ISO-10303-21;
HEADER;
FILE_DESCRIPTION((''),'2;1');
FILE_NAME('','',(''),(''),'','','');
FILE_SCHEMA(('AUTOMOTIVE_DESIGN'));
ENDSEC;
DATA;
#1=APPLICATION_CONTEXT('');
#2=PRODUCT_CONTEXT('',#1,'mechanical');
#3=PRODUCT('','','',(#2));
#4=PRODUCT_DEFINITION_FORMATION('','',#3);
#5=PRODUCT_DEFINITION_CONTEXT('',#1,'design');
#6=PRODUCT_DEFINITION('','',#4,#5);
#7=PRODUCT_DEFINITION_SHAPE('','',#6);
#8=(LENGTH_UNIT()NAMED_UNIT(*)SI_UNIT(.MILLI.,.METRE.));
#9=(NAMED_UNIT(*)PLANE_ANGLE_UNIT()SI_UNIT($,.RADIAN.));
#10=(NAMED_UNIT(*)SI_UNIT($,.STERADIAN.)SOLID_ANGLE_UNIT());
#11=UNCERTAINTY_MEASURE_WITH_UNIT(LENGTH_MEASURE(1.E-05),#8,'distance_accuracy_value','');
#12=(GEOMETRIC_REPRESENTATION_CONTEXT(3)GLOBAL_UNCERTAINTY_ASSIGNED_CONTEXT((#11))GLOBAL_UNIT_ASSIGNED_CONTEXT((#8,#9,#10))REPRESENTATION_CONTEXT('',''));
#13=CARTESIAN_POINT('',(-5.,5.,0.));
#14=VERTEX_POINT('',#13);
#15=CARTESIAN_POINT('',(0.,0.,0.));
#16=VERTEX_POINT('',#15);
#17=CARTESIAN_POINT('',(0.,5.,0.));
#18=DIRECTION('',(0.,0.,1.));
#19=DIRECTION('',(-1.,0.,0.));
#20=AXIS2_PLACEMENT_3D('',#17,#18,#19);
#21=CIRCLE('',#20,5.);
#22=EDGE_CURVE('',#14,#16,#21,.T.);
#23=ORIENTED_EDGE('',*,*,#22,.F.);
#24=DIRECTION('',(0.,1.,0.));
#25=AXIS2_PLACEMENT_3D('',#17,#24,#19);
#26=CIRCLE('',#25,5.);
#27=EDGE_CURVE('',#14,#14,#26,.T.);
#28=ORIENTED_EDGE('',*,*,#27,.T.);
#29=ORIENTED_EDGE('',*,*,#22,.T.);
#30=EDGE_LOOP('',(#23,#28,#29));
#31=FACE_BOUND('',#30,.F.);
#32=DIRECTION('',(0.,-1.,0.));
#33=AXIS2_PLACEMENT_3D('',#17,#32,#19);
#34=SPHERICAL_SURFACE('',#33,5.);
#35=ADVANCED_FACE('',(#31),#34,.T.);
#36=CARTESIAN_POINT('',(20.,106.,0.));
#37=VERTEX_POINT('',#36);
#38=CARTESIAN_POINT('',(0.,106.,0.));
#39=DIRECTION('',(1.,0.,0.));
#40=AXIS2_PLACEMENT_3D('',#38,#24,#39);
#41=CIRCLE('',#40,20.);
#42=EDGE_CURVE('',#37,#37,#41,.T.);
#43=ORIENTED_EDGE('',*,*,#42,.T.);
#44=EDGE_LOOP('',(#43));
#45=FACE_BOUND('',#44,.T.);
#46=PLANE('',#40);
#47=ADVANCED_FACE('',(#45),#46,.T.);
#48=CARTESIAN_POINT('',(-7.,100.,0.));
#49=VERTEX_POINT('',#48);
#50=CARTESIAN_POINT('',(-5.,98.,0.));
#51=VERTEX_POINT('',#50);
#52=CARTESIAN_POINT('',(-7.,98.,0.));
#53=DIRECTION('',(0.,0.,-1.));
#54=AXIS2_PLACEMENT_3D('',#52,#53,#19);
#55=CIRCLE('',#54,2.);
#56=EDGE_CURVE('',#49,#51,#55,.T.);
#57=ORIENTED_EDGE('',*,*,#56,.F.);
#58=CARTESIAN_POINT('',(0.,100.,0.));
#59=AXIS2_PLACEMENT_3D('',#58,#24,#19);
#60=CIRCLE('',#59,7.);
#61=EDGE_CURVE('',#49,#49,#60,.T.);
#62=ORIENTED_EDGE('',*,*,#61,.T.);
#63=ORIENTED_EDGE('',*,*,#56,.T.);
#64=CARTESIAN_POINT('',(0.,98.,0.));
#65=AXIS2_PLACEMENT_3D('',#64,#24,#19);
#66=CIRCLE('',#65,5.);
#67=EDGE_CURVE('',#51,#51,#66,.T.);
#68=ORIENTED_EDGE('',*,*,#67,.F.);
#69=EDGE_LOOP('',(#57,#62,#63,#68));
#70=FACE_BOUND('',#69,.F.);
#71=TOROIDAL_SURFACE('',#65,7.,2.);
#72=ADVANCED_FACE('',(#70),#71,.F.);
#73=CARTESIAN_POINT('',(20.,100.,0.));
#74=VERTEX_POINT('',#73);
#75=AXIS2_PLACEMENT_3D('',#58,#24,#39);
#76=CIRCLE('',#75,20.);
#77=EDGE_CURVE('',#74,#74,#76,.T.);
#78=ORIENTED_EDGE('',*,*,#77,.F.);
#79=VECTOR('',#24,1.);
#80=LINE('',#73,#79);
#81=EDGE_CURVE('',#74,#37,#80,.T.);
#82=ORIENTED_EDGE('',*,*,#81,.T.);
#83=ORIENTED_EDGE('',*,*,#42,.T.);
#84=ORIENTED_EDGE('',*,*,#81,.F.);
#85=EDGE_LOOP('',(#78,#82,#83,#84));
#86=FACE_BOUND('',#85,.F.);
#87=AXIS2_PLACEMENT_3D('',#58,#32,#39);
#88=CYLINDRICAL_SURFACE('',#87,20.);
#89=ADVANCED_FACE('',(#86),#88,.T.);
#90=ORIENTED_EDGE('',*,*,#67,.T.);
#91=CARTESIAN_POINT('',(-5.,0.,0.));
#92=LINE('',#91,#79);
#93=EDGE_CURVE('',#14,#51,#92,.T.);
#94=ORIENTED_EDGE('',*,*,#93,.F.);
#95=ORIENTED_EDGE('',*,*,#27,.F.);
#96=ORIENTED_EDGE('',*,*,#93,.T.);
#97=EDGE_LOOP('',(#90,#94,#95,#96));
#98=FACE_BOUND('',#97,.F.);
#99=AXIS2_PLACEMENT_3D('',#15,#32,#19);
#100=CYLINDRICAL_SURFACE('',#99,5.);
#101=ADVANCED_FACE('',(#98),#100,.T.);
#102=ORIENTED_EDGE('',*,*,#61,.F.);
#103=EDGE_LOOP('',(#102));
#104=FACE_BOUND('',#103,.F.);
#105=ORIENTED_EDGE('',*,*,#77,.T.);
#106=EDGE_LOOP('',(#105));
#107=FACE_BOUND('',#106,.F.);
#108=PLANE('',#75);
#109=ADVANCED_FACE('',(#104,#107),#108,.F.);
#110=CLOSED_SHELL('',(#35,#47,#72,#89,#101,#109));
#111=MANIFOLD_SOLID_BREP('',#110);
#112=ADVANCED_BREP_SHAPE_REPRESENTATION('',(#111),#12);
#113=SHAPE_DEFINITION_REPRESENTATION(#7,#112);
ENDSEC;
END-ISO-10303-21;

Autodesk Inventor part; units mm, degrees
ref_plane "YZ Plane" through (0, 0, 0) normal (1, 0, 0) x (0, 1, 0)
ref_plane "XZ Plane" through (0, 0, 0) normal (0, 1, 0) x (-1, 0, 0)
ref_plane "XY Plane" through (0, 0, 0) normal (0, 0, 1) x (1, 0, 0)
sketch "Sketch1" plane through (0, 0, 0) normal (0, 1, 0) x (-1, 0, 0)
  circle A0 centre (0, 0) radius 5
  dimension "d0" = 10
extrude "Extrusion1" add sketch "Sketch1" along normal blind 100
sketch "Sketch2" plane through (0, 100, 0) normal (0, 1, 0) x (1, 0, 0)
  circle A0 centre (0, 0) radius 20
  dimension "d3" = 40
extrude "Extrusion2" add sketch "Sketch2" along normal blind 6
fillet "Fillet1" radius 2 1 edges at (5, 100, 0)
fillet "Fillet2" radius 5 1 edges at (5, 0, 0)
sketch "Sketch3" plane through (0, 106, 0) normal (0, 1, 0) x (1, 0, 0)
  point P0 (0, 0)
properties part number "Camera Holder"
